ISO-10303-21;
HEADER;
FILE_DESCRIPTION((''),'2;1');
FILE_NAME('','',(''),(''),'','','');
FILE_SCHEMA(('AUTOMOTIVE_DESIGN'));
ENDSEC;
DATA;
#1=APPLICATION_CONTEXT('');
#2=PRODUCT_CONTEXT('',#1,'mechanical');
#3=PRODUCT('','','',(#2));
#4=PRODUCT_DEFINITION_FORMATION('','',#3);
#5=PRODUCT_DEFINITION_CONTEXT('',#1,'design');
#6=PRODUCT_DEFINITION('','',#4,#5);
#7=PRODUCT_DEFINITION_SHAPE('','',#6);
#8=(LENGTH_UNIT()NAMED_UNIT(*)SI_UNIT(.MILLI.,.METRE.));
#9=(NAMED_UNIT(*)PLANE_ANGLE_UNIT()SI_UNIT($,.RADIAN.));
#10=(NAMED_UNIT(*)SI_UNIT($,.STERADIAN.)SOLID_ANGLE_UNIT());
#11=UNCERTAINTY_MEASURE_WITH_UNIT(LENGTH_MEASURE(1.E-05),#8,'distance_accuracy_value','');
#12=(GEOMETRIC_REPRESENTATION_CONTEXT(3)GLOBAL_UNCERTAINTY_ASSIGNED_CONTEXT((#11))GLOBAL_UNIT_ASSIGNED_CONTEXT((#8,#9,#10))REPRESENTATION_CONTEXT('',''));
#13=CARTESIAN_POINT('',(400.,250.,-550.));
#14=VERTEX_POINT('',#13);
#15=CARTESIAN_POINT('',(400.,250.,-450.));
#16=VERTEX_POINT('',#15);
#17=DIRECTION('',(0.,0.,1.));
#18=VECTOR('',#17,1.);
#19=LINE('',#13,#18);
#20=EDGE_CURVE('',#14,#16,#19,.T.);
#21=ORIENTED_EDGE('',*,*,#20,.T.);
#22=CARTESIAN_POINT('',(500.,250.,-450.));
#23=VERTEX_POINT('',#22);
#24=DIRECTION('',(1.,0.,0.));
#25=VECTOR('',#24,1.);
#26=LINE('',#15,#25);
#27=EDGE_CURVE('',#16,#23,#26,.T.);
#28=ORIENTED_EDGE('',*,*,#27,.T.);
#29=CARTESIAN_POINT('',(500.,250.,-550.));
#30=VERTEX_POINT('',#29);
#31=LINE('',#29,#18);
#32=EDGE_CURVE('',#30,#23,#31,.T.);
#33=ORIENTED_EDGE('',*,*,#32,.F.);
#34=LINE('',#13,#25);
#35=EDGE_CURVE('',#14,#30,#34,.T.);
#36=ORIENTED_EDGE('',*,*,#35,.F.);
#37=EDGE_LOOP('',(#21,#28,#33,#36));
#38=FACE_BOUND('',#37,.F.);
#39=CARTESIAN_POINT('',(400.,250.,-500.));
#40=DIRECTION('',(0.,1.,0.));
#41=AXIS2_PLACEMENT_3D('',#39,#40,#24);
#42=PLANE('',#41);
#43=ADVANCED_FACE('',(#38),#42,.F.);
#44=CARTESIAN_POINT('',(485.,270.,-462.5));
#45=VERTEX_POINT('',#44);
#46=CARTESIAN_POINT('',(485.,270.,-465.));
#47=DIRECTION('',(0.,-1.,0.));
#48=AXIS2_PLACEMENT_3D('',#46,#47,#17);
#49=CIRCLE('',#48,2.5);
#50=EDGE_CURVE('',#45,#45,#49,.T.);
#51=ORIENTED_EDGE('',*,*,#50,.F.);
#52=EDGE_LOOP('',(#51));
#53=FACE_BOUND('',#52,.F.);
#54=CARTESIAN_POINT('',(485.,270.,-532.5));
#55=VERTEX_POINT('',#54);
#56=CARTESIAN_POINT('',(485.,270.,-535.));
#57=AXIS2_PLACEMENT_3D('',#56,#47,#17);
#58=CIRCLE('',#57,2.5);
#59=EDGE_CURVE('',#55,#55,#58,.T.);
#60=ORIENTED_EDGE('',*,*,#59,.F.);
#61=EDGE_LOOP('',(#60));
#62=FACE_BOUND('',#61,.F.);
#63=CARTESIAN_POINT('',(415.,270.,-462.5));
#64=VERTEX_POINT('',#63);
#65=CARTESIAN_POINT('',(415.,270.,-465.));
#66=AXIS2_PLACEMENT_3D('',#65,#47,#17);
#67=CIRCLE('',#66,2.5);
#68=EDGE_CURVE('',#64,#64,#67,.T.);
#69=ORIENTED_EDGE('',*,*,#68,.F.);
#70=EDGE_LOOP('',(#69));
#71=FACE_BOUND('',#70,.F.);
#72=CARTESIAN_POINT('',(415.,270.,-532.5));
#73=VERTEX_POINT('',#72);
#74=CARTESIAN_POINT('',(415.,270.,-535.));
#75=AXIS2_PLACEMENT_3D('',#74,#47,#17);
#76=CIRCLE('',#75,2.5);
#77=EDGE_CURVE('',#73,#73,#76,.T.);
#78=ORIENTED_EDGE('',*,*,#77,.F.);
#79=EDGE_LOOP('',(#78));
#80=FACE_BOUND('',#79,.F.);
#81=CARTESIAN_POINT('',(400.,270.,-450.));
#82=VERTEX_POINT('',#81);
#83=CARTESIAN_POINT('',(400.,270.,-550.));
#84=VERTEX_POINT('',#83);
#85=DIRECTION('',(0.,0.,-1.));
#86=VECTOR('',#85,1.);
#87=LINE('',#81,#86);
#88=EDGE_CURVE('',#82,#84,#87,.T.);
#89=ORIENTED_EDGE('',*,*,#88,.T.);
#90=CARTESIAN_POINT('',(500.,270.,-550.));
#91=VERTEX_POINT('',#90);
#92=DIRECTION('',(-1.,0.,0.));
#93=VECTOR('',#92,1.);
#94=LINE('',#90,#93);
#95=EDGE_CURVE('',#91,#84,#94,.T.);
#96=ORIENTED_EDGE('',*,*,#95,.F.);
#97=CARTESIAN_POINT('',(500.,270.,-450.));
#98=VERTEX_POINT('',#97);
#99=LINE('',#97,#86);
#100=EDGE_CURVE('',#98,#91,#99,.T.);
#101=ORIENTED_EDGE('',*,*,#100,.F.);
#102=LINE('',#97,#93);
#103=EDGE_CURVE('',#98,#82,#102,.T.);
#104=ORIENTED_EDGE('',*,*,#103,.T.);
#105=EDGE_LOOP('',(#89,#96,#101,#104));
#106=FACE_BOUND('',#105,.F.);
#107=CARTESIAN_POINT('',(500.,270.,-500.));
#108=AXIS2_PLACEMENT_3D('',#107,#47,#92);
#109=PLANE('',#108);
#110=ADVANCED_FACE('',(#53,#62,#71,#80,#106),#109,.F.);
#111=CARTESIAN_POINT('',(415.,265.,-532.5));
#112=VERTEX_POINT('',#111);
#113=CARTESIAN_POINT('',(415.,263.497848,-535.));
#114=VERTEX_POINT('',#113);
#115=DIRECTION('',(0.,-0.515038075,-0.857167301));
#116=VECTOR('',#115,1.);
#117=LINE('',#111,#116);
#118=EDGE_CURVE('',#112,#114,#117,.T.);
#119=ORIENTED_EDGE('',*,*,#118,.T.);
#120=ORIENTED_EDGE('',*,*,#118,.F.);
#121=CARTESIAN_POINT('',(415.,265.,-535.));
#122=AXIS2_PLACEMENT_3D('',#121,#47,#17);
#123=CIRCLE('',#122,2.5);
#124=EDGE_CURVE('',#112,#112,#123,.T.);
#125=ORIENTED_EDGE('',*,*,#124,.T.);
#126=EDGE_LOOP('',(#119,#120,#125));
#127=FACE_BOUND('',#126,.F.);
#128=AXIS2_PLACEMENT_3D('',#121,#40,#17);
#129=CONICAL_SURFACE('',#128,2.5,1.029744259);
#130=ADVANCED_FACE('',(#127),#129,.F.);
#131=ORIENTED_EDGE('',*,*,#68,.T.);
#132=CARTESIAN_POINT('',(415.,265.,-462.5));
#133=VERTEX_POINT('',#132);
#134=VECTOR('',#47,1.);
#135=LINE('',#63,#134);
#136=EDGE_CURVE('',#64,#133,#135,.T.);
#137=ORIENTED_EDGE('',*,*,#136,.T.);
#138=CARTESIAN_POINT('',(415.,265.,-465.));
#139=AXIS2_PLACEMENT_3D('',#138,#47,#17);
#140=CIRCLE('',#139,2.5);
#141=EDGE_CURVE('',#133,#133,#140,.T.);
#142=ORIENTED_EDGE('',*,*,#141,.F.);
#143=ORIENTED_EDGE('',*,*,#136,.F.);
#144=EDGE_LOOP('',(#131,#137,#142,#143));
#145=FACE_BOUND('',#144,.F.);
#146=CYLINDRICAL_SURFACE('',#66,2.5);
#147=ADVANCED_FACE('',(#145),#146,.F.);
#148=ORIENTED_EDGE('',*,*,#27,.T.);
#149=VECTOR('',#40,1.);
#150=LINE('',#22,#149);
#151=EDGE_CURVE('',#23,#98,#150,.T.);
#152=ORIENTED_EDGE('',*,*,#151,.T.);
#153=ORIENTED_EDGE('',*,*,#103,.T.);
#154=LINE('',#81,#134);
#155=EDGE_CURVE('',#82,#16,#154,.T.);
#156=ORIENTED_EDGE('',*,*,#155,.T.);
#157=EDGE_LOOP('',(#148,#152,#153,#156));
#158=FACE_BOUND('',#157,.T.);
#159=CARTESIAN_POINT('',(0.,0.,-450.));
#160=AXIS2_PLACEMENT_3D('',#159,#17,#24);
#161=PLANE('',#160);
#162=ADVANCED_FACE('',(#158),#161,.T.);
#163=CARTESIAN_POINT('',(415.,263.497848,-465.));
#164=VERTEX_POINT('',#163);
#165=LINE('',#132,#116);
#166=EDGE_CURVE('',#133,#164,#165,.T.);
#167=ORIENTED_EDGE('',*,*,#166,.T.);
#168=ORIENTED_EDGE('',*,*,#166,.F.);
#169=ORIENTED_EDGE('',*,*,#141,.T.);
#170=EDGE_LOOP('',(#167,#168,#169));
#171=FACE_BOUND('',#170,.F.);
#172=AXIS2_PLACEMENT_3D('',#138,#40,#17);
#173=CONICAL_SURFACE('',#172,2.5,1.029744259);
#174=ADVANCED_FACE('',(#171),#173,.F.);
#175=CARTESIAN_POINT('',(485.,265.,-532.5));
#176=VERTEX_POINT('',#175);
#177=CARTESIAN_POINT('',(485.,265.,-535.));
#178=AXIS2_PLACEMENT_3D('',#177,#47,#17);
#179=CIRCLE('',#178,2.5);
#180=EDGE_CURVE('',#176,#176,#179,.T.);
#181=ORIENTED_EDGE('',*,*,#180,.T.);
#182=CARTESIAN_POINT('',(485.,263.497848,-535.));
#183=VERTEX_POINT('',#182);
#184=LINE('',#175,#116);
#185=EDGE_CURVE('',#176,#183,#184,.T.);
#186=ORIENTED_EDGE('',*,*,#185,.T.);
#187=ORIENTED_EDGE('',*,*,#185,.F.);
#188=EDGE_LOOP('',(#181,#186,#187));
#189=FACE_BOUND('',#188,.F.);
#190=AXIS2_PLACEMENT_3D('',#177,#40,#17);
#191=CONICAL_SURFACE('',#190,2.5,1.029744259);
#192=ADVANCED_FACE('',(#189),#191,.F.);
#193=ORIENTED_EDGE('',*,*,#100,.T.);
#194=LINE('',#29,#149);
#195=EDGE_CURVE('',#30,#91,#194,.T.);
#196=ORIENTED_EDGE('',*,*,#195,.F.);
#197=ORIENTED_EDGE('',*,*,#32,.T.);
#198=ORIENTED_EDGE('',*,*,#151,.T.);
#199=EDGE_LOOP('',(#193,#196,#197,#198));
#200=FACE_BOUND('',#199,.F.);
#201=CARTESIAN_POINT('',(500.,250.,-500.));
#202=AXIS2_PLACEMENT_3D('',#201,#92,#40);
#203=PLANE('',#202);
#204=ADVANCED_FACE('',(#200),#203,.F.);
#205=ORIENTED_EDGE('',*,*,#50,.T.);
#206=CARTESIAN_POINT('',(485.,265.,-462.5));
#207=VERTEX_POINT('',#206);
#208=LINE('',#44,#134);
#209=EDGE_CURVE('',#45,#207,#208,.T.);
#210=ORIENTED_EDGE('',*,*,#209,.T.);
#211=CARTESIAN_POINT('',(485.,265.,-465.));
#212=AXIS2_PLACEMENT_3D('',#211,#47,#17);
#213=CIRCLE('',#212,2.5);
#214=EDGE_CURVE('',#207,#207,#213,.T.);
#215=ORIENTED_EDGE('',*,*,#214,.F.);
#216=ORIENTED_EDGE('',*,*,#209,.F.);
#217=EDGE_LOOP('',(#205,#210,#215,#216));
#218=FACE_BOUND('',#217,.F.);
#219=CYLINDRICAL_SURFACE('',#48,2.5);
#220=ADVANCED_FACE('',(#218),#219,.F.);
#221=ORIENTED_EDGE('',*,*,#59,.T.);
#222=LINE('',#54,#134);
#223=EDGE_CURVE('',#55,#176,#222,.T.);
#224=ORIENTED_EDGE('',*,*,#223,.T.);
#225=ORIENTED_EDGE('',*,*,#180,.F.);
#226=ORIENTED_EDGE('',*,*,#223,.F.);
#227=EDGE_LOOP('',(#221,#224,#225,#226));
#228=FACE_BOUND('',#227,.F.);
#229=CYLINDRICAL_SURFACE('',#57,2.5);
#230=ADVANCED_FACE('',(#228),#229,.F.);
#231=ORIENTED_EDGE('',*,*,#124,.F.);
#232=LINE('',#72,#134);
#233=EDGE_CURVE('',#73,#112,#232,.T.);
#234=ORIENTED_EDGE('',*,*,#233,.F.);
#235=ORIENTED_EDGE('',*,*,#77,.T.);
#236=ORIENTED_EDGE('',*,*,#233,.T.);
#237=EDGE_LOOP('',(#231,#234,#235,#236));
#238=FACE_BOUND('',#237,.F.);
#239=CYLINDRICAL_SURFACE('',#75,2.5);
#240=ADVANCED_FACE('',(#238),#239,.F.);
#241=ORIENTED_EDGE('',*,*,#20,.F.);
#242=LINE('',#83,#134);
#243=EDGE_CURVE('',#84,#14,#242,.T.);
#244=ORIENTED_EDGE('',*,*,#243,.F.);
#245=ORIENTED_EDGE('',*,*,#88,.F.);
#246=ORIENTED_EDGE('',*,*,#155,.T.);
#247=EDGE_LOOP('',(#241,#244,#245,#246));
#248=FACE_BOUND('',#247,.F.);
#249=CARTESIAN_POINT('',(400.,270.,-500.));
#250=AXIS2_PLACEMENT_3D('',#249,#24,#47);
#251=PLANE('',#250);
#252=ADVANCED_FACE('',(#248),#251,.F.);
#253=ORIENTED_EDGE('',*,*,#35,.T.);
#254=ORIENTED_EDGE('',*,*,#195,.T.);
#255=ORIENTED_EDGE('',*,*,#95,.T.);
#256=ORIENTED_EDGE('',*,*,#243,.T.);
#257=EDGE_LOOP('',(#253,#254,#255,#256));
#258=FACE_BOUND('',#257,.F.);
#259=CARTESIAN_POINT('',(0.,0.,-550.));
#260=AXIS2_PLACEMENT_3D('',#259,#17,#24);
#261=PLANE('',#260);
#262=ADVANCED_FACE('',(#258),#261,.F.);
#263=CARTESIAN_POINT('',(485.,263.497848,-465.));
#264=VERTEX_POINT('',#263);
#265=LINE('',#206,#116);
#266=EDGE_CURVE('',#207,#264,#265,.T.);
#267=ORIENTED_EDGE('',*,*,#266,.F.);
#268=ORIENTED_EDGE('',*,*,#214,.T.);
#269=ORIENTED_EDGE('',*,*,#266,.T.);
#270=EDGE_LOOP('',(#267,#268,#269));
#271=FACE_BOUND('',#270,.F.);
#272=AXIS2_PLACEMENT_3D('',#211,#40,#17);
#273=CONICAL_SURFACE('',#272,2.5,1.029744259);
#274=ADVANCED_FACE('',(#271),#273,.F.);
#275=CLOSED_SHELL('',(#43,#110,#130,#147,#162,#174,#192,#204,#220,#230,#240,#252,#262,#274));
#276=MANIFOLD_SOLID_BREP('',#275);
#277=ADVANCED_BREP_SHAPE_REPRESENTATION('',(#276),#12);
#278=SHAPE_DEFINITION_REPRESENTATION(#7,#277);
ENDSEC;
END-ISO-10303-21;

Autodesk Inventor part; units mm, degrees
ref_plane "YZ Plane" through (0, 0, 0) normal (1, 0, 0) x (0, 1, 0)
ref_plane "XZ Plane" through (0, 0, 0) normal (0, 1, 0) x (-1, 0, 0)
ref_plane "Plano de trabajo2" through (0, 0, -500) normal (0, 0, 1) x (1, 0, 0)
sketch "Boceto2" plane through (0, 0, -500) normal (0, 0, 1) x (1, 0, 0)
  line L0 (400, 250) -> (500, 250)
  line L1 (500, 250) -> (500, 270)
  line L2 (500, 270) -> (400, 270)
  line L3 (400, 270) -> (400, 250)
  line L4 (150, 50) -> (150, 550) projected
  line L5 (0, 50) -> (1000, 50) projected
  line L6 (850, 50) -> (850, 550) projected
  point P0 (0, 0)
  dimension "d4" = 100
  dimension "d5" = 20
  dimension "d6" = 250
  dimension "d7" = 200
  dimension "d8" = 350
extrude "Extrusión1" add sketch "Boceto2" along normal blind 50 and the other way blind 50
sketch "Boceto3" plane through (400, 270, -450) normal (0, 1, 0) x (1, 0, 0)
  circle A0 centre (15, 15) radius 2.5
  circle A1 centre (15, 85) radius 2.5
  circle A2 centre (85, 85) radius 2.5
  circle A3 centre (85, 15) radius 2.5
  line L0 (0, 100) -> (0, 0) projected
  line L1 (100, 100) -> (100, 0) projected
  line L2 (0, 100) -> (100, 100) projected
  line L3 (100, 0) -> (0, 0) projected
  point P0 (-400, -450)
  dimension "d13" = 5
  dimension "d14" = 5
  dimension "d15" = 5
  dimension "d16" = 5
  dimension "d17" = 15
  dimension "d18" = 15
  dimension "d19" = 15
  dimension "d20" = 15
  dimension "d21" = 15
  dimension "d22" = 15
  dimension "d23" = 15
  dimension "d24" = 15
hole "Agujero1" at (485, 270, -465) direction (0, -1, 0) diameter 5 depth 5 tip angle 118
hole "Agujero2" at (415, 270, -465) direction (0, -1, 0) diameter 5 depth 5 tip angle 118
hole "Agujero3" at (415, 270, -535) direction (0, -1, 0) diameter 5 depth 5 tip angle 118
hole "Agujero4" at (485, 270, -535) direction (0, -1, 0) diameter 5 depth 5 tip angle 118
properties part number "Plataforma"
